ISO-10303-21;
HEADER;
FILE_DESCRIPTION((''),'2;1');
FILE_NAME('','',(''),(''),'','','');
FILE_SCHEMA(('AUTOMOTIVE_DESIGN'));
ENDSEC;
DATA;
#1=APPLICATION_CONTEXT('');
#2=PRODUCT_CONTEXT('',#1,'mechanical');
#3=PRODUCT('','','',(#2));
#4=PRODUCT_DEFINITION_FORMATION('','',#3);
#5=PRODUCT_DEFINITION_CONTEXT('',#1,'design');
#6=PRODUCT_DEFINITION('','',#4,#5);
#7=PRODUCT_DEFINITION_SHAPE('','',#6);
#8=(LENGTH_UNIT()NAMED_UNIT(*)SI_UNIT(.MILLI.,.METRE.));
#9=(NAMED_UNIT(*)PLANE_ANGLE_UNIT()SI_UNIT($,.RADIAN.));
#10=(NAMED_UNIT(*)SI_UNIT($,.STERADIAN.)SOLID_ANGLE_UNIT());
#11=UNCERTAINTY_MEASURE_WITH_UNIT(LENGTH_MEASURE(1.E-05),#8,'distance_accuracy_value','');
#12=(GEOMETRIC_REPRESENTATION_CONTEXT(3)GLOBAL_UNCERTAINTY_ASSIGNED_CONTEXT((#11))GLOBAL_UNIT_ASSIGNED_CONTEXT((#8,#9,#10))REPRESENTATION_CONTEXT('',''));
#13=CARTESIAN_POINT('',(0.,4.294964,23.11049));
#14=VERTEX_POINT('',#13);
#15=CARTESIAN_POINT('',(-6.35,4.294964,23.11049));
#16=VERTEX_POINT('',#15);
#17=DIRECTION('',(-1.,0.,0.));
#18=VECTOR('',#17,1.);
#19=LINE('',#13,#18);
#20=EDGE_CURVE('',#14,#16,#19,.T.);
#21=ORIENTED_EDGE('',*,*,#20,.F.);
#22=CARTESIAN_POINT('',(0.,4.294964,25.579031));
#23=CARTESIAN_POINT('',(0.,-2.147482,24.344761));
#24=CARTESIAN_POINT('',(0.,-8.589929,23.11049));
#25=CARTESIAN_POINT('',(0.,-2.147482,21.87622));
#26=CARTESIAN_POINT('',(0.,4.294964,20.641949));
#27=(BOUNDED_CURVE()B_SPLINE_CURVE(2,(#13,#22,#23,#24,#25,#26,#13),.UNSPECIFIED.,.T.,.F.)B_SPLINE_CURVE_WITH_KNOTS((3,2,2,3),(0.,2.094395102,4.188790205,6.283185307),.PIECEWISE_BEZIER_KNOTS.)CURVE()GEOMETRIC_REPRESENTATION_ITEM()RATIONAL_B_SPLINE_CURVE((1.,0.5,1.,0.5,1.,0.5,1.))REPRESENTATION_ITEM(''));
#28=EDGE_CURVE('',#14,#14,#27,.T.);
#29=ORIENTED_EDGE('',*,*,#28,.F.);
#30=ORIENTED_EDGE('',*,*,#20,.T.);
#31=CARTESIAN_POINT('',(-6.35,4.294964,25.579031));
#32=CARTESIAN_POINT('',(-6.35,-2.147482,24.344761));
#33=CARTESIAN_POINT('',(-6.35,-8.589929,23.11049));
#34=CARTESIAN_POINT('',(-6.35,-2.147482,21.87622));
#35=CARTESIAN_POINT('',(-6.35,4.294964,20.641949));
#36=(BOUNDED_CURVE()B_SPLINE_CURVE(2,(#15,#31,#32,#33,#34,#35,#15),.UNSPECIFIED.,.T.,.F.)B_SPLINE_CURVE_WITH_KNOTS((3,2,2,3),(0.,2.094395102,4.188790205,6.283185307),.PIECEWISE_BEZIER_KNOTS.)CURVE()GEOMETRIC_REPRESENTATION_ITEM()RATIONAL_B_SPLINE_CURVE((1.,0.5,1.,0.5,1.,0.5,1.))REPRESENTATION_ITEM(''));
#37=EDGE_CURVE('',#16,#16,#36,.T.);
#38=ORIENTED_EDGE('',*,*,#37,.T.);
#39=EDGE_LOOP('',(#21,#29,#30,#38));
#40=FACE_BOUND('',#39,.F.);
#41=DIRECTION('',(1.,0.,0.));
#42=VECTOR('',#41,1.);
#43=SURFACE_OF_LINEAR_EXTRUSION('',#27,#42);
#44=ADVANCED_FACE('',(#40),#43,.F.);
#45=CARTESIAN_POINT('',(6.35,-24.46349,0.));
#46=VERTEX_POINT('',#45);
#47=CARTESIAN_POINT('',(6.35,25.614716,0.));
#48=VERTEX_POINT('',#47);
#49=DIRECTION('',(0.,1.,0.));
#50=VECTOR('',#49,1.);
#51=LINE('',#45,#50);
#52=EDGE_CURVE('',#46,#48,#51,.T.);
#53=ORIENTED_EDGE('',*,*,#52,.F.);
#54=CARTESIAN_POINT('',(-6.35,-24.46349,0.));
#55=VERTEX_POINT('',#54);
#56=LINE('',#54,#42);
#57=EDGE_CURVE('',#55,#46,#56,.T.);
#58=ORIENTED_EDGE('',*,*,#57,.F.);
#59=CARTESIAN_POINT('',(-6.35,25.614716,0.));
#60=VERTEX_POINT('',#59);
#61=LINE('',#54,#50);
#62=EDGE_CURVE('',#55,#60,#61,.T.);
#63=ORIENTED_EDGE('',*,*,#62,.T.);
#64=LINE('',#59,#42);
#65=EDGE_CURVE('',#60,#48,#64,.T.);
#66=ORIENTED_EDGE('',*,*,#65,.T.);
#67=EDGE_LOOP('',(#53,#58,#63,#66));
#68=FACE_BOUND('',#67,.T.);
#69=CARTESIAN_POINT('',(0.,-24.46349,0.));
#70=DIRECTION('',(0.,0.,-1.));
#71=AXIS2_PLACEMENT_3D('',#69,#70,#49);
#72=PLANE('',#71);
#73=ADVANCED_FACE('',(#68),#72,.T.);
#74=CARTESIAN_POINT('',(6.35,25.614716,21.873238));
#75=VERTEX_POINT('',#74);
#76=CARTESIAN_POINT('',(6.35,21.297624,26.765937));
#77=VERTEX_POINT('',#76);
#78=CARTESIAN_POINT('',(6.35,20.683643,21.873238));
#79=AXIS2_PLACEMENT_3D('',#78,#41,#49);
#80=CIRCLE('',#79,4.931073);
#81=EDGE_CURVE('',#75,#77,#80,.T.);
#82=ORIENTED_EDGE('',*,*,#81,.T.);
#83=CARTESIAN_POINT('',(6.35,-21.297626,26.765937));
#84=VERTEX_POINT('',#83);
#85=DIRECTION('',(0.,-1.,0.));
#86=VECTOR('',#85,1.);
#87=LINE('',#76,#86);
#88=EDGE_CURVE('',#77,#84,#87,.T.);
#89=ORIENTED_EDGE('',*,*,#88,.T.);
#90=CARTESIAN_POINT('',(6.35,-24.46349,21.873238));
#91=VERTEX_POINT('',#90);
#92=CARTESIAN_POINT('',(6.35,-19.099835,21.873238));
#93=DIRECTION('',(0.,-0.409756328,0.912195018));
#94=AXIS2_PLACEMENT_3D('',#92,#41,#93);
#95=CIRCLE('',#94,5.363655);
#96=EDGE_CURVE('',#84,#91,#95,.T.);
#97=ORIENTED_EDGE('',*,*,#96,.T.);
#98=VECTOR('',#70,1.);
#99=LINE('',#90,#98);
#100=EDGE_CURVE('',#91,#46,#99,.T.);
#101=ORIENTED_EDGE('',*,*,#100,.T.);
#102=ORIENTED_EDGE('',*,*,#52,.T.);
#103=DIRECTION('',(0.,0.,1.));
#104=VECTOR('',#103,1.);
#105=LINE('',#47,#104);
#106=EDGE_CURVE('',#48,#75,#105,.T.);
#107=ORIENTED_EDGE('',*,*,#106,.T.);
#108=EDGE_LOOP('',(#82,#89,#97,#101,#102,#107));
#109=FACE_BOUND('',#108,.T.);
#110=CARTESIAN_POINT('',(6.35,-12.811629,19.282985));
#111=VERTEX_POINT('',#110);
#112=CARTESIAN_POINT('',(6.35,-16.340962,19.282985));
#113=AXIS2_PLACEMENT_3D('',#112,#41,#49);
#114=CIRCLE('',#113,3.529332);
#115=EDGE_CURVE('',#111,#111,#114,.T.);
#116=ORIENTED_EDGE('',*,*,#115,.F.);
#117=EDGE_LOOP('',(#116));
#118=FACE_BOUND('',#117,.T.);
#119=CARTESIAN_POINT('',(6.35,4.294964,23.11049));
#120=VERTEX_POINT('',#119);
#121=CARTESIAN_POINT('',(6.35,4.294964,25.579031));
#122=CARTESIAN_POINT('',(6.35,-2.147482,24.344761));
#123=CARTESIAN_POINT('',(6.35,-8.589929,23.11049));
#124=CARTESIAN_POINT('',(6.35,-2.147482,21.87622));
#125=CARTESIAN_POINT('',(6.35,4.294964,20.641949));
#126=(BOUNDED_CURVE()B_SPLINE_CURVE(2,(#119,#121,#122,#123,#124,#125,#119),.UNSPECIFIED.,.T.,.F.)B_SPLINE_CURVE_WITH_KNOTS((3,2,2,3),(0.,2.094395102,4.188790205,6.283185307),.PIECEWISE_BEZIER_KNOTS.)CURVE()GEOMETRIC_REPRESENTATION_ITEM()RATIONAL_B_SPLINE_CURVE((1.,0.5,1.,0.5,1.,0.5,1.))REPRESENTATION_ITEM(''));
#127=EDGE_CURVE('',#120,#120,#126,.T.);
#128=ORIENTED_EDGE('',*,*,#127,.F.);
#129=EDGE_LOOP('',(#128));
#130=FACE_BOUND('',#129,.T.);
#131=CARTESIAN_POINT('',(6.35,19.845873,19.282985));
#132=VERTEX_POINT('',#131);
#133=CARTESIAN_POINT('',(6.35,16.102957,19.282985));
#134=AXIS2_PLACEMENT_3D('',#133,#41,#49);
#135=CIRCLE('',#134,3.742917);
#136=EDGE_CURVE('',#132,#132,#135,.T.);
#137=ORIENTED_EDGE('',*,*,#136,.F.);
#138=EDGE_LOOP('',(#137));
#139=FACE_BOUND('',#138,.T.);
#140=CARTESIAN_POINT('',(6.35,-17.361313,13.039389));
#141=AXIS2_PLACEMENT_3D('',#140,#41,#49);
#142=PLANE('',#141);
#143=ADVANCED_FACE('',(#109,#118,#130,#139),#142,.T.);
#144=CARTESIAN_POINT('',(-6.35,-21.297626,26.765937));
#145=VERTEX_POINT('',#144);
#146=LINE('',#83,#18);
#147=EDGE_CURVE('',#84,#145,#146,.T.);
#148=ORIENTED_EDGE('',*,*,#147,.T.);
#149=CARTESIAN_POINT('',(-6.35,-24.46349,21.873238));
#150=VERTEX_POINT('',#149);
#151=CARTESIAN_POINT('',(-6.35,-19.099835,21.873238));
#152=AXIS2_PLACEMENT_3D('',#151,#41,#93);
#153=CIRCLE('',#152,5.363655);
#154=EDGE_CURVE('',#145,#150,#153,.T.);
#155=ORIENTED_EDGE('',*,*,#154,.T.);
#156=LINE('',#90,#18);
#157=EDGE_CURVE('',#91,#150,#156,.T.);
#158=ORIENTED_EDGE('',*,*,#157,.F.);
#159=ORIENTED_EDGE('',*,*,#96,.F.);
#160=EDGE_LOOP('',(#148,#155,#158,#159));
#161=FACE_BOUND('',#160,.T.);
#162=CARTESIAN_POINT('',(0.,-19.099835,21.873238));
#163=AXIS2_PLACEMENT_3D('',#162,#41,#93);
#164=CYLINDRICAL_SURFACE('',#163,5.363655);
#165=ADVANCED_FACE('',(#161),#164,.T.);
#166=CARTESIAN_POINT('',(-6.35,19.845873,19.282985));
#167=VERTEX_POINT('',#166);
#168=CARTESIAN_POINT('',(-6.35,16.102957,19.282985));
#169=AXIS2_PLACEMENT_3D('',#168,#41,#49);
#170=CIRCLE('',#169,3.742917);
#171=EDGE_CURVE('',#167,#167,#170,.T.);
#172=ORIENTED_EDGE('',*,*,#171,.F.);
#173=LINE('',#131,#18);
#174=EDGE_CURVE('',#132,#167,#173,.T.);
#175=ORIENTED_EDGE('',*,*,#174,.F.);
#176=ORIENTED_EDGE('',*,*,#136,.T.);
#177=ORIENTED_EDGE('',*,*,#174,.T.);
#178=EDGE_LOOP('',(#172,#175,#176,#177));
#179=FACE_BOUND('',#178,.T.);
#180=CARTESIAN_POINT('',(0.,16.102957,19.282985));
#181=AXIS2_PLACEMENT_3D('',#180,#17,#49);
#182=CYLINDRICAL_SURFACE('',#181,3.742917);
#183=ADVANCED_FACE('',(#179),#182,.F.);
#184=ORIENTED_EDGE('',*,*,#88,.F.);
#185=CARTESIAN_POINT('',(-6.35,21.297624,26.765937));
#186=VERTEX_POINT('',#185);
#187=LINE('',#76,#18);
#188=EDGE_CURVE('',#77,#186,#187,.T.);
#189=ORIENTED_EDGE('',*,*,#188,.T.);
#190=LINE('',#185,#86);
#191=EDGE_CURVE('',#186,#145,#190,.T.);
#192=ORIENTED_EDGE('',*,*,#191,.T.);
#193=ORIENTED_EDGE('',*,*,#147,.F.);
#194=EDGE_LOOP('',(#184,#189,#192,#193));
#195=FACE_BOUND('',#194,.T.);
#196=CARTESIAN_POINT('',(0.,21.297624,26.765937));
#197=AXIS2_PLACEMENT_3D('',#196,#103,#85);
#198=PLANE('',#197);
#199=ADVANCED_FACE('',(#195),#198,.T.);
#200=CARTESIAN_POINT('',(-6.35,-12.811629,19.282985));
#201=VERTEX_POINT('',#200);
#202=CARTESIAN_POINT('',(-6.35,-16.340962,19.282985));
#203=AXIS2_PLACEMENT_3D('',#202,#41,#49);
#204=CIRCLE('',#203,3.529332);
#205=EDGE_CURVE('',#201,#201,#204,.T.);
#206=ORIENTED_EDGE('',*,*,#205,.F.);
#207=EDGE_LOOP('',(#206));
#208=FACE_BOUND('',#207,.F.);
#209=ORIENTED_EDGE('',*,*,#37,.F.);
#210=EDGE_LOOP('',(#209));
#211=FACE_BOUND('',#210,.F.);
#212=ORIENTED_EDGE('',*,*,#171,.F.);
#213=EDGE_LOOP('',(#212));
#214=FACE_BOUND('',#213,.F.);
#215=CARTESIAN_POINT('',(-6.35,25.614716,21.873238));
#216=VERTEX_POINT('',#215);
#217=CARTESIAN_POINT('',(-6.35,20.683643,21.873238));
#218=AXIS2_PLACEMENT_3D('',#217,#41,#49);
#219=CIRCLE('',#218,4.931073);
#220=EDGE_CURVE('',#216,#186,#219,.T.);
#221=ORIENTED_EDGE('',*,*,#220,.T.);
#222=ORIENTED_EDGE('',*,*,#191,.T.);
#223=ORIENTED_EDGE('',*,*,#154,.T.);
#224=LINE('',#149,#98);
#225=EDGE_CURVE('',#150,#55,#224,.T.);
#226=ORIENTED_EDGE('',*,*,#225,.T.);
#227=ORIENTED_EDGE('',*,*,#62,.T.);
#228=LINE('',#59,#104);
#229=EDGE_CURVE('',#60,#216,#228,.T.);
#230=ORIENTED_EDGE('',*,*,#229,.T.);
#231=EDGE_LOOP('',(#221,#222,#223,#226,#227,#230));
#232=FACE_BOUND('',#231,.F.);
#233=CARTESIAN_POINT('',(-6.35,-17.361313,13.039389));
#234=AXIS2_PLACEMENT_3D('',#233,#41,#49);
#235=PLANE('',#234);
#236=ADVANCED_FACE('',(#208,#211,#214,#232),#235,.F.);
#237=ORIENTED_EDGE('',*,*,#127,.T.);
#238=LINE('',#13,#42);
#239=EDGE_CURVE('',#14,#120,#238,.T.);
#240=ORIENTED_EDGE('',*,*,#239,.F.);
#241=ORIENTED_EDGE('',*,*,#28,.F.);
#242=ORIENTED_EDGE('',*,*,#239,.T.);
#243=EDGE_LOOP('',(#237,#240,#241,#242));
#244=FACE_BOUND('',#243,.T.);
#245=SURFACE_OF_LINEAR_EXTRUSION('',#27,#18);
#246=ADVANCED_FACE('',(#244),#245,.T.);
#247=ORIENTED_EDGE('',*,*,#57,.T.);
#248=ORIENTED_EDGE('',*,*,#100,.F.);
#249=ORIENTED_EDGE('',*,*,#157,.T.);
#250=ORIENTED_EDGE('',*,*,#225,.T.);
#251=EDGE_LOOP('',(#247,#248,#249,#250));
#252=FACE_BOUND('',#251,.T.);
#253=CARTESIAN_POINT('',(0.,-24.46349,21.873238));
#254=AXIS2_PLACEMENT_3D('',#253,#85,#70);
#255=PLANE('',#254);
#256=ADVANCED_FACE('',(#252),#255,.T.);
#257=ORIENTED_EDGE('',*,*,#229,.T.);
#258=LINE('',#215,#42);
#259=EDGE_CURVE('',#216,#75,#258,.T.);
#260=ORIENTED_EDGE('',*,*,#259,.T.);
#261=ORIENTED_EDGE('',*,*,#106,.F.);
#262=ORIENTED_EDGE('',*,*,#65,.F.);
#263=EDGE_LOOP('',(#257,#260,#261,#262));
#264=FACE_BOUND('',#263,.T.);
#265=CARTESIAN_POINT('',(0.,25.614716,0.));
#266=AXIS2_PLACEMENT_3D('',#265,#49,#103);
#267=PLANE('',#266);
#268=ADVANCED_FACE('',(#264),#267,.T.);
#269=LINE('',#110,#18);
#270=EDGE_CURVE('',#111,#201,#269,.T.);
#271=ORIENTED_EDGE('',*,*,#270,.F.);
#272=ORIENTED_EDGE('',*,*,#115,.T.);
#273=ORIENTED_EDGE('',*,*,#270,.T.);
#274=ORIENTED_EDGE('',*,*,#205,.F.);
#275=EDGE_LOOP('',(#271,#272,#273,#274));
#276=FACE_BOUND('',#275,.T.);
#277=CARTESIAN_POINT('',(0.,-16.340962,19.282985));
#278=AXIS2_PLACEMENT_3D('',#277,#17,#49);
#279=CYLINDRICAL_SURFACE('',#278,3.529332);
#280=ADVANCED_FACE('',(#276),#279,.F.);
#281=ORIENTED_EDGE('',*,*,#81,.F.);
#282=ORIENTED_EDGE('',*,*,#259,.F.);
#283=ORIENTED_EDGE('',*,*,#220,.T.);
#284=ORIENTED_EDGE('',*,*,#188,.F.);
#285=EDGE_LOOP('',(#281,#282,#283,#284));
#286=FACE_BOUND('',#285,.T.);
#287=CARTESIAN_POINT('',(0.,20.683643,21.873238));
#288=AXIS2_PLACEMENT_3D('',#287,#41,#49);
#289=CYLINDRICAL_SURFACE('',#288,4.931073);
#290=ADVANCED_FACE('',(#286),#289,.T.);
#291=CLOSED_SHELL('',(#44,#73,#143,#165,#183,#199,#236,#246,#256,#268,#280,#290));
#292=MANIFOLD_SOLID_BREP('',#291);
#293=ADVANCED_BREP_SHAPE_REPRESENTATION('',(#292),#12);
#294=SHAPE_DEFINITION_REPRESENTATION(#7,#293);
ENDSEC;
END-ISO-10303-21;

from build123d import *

# Parameters (mm, degrees)
F0_R     = 3.5293322971
F0_W     = 21.297625266
F0_H     = 19.2829854786
F0_R_2   = 3.7429167632
F1_DEPTH = 6.35


with BuildPart() as f1:
    # F0 (on Right) → F1 (new body, symmetric)
    with BuildSketch(Plane.YZ):
        with BuildLine():
            Line((-24.4634896517, 21.8732375652), (-24.4634896517, 0))
            Line((-24.4634896517, 0), (-19.6764227003, 0))
            Line((-19.6764227003, 0), (-15.6471431255, 0))
            Line((-15.6471431255, 0), (-10.6488130987, 0))
            Line((-10.6488130987, 0), (-10.6488130987, 19.2829854786))
            Line((-10.6488130987, 19.2829854786), (-10.6488130987, 26.7659369856))
            Line((-10.6488130987, 26.7659369856), (-21.2976261973, 26.7659369856))
            ThreePointArc((-21.2976261973, 26.7659369856), (-23.6029996823, 24.7870494598), (-24.4634896517, 21.8732375652))
        make_face()
        with Locations((-16.3409616798, 19.2829854786)):
            Circle(F0_R, mode=Mode.SUBTRACT)
        Polygon((0, 26.7659369856), (-10.6488130987, 26.7659369856), (-10.6488130987, 19.2829854786), (10.6488121673, 19.2829854786), (10.6488121673, 26.7659369856), align=None)
        with BuildLine():
            add(Edge.make_bspline(
                [(4.2949644849, 23.1104902923), (4.2949644849, 25.5790311776), (-2.1474822424, 24.344760735), (-8.5899289697, 23.1104902923), (-2.1474822424, 21.8762198497), (4.2949644849, 20.641949407), (4.2949644849, 23.1104902923)],
                knots=[0, 0, 0, 2.0943951024, 2.0943951024, 4.1887902048, 4.1887902048, 6.2831853072, 6.2831853072, 6.2831853072], degree=2, weights=[1, 0.5, 1, 0.5, 1, 0.5, 1]))
        make_face(mode=Mode.SUBTRACT)
        with Locations((-4.657e-07, 9.6414927393)):
            Rectangle(F0_W, F0_H)
        with BuildLine():
            Line((10.6488121673, 19.2829854786), (10.6488121673, 0))
            Line((10.6488121673, 0), (25.6147161126, 0))
            Line((25.6147161126, 0), (25.6147161126, 21.8732375652))
            ThreePointArc((25.6147161126, 21.8732375652), (24.3811468064, 25.1357438501), (21.2976243347, 26.7659369856))
            Line((21.2976243347, 26.7659369856), (10.6488121673, 26.7659369856))
            Line((10.6488121673, 26.7659369856), (10.6488121673, 19.2829854786))
        make_face()
        with Locations((16.1029566079, 19.2829854786)):
            Circle(F0_R_2, mode=Mode.SUBTRACT)
    extrude(amount=F1_DEPTH, both=True)


solid = f1.part
